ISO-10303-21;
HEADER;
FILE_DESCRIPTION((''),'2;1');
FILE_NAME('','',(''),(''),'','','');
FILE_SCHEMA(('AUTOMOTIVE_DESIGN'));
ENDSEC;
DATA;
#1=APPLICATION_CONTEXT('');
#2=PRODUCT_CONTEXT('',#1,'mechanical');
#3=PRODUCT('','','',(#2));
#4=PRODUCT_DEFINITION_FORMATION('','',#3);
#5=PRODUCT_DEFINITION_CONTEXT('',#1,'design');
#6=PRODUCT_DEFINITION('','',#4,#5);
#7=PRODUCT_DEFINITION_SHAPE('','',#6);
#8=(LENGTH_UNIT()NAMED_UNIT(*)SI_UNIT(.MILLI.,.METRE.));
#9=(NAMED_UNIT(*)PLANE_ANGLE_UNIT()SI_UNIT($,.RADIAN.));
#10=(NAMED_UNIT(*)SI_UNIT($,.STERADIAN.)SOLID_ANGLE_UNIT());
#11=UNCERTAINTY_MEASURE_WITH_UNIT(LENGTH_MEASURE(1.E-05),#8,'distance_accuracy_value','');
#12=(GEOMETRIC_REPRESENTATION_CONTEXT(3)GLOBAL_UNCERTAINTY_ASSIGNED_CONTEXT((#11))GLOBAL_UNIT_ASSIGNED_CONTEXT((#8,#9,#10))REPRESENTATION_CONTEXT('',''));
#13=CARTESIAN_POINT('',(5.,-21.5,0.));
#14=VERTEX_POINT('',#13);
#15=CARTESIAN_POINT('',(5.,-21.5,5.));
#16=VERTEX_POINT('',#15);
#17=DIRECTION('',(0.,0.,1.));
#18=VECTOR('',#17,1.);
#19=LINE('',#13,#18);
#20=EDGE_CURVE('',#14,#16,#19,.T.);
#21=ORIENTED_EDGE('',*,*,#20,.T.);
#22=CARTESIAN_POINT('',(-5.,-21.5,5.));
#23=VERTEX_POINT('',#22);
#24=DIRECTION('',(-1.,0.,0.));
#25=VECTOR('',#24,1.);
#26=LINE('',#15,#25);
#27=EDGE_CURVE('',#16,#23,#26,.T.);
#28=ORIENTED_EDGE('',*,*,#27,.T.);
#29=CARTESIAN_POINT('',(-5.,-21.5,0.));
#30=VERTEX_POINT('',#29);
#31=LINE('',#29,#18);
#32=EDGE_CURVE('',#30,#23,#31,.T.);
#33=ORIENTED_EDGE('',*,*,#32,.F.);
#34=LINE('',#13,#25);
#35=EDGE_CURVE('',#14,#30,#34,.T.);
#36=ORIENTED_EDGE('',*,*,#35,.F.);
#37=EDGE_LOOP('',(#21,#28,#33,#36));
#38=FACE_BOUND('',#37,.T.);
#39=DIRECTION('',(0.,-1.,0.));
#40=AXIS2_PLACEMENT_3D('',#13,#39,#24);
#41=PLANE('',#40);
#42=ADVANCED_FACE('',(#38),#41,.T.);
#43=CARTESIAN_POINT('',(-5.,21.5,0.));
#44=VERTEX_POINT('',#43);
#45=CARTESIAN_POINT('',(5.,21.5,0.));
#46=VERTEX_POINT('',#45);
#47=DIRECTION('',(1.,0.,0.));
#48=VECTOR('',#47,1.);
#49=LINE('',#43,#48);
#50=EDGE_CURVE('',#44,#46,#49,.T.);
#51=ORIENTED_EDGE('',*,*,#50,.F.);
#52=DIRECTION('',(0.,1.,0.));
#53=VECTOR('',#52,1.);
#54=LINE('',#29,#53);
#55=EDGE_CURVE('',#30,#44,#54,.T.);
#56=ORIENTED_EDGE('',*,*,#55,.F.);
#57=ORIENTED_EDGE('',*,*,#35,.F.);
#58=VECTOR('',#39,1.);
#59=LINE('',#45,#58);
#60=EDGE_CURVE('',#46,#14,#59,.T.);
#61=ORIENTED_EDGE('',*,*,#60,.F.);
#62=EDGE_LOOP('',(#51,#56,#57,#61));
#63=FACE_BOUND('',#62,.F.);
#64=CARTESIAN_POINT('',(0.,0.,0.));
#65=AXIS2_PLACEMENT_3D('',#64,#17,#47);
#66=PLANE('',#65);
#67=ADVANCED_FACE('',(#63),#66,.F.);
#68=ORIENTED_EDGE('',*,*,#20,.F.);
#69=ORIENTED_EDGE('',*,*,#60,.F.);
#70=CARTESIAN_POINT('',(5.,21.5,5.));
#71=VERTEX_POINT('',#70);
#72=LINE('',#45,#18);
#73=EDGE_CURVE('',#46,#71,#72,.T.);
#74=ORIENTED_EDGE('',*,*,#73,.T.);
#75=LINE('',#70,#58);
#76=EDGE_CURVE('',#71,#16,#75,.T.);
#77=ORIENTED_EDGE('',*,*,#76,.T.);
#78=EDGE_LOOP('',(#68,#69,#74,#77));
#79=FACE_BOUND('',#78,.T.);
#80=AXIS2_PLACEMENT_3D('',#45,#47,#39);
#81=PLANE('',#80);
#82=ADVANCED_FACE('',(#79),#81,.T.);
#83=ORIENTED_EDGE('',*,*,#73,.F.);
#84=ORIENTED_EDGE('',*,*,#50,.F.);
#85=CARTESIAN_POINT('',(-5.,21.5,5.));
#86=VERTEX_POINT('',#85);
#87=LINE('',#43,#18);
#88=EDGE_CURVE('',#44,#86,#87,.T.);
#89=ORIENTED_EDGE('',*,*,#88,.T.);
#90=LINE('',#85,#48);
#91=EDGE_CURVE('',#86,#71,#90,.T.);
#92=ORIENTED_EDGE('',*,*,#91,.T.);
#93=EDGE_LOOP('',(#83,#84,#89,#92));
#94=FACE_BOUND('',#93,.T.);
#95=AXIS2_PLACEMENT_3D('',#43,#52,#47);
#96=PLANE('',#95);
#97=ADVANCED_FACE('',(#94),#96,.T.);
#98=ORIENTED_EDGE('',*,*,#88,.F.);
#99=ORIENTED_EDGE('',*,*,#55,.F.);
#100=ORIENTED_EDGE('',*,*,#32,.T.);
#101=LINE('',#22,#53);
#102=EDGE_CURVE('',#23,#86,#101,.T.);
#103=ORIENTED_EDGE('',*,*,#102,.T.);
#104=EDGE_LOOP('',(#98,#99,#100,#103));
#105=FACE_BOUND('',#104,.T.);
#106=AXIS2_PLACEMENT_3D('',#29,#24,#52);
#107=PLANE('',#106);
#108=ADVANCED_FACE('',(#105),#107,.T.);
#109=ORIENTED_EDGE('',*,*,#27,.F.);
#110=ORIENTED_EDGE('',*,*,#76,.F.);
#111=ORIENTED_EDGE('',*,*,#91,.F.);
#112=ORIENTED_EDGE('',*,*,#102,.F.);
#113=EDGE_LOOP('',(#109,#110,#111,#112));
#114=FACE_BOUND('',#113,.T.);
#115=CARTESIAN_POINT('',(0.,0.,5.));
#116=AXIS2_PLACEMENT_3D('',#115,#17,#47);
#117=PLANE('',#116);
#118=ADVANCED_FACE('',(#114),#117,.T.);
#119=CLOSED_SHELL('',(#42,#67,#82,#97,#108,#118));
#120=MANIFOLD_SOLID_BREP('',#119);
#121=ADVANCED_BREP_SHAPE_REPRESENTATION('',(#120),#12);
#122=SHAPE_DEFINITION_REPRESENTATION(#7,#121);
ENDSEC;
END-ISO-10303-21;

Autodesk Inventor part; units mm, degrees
ref_plane "YZ Plane" through (0, 0, 0) normal (1, 0, 0) x (0, 1, 0)
ref_plane "XZ Plane" through (0, 0, 0) normal (0, 1, 0) x (-1, 0, 0)
ref_plane "XY Plane" through (0, 0, 0) normal (0, 0, 1) x (1, 0, 0)
sketch "스케치1" plane through (0, 0, 0) normal (0, 0, 1) x (1, 0, 0)
  line L0 (5, -21.5) -> (-5, -21.5)
  line L1 (-5, -21.5) -> (-5, 21.5)
  line L2 (-5, 21.5) -> (5, 21.5)
  line L3 (5, 21.5) -> (5, -21.5)
  line L4 (5, -21.5) -> (-5, 21.5) construction
  line L5 (-5, -21.5) -> (5, 21.5) construction
  point P0 (0, 0)
  dimension "d0" = 43
  dimension "d1" = 10
extrude "돌출1" add sketch "스케치1" along normal blind 5
properties part number "240626_chair4"
